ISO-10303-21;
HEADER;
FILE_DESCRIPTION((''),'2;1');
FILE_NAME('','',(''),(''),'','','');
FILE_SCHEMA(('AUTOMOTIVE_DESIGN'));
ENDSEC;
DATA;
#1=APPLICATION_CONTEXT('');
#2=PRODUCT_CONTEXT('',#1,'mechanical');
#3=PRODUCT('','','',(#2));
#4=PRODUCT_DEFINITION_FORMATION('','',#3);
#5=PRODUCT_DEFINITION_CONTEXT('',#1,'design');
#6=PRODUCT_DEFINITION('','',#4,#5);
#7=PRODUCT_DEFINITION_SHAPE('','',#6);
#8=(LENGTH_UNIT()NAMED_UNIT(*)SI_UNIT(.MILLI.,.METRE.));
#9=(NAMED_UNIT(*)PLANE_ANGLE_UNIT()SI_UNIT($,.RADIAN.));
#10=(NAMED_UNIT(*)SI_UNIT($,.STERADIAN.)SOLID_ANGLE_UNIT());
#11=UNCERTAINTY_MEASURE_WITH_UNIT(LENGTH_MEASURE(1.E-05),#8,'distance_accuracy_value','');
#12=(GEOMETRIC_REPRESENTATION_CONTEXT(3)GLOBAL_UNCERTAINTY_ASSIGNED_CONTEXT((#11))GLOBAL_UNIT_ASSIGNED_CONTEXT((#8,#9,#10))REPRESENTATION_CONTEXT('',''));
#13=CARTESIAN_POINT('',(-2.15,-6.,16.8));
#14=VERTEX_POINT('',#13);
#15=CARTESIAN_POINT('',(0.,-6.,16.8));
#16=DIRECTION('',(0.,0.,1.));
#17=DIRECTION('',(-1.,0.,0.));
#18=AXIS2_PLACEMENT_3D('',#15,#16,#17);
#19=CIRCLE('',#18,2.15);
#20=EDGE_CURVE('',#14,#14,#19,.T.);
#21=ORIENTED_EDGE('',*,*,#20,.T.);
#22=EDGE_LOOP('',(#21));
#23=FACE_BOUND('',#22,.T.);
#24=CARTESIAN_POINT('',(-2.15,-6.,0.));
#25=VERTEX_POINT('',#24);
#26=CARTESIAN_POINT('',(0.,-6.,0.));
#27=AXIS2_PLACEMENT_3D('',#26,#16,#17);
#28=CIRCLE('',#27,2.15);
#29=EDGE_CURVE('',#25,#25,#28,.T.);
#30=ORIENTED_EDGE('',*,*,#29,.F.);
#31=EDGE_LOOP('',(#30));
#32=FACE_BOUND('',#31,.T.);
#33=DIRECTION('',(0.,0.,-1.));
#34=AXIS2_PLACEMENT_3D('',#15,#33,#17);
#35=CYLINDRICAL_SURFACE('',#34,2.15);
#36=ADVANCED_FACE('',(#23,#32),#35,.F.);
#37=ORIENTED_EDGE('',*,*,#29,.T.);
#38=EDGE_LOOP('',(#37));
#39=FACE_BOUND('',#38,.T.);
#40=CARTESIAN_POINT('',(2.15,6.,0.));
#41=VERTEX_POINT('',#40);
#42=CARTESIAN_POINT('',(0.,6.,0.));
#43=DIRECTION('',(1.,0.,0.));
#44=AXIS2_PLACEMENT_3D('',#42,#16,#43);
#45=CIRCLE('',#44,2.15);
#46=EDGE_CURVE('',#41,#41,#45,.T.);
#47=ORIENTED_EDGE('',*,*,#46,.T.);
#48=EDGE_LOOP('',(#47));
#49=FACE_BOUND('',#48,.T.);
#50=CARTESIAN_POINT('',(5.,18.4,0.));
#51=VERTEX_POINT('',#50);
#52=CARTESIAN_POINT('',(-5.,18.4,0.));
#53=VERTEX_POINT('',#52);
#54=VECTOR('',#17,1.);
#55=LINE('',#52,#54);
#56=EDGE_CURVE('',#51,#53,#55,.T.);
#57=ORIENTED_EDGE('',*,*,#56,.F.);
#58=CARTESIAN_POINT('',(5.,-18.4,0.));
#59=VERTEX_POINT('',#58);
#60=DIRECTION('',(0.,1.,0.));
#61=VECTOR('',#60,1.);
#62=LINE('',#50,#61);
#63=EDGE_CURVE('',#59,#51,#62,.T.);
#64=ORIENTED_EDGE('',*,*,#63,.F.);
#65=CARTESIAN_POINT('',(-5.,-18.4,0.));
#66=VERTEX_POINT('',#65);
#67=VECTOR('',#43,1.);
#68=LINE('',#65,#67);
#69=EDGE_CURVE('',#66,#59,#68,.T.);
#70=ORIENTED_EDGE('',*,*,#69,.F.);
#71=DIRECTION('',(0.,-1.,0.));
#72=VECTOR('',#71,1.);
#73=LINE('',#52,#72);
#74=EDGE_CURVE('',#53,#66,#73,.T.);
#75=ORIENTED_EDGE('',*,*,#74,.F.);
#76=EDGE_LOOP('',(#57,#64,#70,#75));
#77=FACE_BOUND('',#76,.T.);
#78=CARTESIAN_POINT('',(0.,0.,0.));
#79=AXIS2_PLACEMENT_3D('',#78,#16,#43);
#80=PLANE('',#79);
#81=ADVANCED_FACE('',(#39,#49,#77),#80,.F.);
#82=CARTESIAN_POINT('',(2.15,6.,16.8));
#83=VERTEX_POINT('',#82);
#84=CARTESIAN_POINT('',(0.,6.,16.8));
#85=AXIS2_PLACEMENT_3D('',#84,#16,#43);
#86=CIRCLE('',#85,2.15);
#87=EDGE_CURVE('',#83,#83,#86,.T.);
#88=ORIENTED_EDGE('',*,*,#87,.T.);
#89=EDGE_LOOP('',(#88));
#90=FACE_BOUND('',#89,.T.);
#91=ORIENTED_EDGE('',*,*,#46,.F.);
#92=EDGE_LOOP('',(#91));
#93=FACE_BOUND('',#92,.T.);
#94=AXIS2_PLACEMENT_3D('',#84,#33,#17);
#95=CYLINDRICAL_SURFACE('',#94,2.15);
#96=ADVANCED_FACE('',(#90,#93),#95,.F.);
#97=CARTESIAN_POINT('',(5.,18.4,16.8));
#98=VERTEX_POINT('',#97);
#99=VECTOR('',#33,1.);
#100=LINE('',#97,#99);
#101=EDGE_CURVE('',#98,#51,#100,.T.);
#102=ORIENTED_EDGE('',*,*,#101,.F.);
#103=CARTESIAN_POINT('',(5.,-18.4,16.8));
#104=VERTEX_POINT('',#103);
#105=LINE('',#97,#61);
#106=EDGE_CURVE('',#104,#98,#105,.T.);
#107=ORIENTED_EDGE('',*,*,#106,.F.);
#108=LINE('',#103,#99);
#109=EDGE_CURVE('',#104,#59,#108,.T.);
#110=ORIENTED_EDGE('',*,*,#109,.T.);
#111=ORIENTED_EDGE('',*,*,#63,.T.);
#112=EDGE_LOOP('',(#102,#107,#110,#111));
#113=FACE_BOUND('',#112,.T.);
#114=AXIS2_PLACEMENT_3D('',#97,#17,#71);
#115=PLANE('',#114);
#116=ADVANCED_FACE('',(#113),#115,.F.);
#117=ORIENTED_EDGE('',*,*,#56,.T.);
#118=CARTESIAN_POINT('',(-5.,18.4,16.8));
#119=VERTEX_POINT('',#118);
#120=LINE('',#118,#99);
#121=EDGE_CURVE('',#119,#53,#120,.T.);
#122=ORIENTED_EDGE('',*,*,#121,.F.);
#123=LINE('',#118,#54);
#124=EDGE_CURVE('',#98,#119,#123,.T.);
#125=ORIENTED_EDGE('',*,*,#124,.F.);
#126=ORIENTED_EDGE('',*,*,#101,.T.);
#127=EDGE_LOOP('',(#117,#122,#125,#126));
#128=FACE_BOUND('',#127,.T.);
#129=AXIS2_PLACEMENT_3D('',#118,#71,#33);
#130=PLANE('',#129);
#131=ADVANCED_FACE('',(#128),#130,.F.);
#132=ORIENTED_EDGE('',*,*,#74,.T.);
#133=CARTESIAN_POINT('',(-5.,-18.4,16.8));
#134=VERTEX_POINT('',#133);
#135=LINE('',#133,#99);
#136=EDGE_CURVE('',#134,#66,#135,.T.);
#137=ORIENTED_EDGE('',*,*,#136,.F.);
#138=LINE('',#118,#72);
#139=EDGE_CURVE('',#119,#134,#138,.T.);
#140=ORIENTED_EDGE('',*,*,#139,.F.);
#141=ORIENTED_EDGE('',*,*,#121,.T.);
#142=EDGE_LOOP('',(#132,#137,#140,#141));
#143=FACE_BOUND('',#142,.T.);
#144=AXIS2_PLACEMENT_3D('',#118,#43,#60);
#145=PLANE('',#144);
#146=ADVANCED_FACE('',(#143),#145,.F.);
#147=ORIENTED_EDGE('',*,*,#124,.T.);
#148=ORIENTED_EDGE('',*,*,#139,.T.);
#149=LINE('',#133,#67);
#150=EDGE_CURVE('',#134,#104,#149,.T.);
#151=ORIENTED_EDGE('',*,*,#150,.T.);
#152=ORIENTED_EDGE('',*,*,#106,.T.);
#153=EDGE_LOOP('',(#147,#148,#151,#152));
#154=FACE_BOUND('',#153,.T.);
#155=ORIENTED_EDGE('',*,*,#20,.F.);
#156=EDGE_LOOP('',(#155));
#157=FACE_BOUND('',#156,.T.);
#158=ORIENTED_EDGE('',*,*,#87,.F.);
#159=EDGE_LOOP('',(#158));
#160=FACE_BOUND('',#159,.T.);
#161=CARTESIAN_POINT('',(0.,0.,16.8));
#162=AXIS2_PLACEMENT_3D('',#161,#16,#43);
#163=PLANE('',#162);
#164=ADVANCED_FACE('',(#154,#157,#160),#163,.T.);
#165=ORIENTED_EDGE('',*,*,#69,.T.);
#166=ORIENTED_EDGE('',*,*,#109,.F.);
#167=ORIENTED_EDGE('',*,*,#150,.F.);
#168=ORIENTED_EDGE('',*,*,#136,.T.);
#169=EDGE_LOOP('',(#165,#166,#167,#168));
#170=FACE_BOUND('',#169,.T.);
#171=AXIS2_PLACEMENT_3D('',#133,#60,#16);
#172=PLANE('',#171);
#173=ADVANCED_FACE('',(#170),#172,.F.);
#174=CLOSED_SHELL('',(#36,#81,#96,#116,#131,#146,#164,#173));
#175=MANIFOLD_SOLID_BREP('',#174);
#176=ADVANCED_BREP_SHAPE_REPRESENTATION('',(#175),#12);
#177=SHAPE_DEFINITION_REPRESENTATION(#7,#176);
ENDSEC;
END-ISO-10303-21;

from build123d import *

# Parameters (mm, degrees)
SKETCH_1_W      = 10
SKETCH_1_H      = 36.8
SKETCH_1_R      = 2.15
EXTRUDE_1_DEPTH = 16.8


with BuildPart() as part:
    # 草图1 → 凸台-拉伸1 (new body)
    with BuildSketch(Plane.XY):
        Rectangle(SKETCH_1_W, SKETCH_1_H)
        with Locations((0, 6)):
            Circle(SKETCH_1_R, mode=Mode.SUBTRACT)
        with Locations(Location((0, -6, 0), (0, 0, 180))):
            Circle(SKETCH_1_R, mode=Mode.SUBTRACT)
    extrude(amount=EXTRUDE_1_DEPTH)


solid = part.part
